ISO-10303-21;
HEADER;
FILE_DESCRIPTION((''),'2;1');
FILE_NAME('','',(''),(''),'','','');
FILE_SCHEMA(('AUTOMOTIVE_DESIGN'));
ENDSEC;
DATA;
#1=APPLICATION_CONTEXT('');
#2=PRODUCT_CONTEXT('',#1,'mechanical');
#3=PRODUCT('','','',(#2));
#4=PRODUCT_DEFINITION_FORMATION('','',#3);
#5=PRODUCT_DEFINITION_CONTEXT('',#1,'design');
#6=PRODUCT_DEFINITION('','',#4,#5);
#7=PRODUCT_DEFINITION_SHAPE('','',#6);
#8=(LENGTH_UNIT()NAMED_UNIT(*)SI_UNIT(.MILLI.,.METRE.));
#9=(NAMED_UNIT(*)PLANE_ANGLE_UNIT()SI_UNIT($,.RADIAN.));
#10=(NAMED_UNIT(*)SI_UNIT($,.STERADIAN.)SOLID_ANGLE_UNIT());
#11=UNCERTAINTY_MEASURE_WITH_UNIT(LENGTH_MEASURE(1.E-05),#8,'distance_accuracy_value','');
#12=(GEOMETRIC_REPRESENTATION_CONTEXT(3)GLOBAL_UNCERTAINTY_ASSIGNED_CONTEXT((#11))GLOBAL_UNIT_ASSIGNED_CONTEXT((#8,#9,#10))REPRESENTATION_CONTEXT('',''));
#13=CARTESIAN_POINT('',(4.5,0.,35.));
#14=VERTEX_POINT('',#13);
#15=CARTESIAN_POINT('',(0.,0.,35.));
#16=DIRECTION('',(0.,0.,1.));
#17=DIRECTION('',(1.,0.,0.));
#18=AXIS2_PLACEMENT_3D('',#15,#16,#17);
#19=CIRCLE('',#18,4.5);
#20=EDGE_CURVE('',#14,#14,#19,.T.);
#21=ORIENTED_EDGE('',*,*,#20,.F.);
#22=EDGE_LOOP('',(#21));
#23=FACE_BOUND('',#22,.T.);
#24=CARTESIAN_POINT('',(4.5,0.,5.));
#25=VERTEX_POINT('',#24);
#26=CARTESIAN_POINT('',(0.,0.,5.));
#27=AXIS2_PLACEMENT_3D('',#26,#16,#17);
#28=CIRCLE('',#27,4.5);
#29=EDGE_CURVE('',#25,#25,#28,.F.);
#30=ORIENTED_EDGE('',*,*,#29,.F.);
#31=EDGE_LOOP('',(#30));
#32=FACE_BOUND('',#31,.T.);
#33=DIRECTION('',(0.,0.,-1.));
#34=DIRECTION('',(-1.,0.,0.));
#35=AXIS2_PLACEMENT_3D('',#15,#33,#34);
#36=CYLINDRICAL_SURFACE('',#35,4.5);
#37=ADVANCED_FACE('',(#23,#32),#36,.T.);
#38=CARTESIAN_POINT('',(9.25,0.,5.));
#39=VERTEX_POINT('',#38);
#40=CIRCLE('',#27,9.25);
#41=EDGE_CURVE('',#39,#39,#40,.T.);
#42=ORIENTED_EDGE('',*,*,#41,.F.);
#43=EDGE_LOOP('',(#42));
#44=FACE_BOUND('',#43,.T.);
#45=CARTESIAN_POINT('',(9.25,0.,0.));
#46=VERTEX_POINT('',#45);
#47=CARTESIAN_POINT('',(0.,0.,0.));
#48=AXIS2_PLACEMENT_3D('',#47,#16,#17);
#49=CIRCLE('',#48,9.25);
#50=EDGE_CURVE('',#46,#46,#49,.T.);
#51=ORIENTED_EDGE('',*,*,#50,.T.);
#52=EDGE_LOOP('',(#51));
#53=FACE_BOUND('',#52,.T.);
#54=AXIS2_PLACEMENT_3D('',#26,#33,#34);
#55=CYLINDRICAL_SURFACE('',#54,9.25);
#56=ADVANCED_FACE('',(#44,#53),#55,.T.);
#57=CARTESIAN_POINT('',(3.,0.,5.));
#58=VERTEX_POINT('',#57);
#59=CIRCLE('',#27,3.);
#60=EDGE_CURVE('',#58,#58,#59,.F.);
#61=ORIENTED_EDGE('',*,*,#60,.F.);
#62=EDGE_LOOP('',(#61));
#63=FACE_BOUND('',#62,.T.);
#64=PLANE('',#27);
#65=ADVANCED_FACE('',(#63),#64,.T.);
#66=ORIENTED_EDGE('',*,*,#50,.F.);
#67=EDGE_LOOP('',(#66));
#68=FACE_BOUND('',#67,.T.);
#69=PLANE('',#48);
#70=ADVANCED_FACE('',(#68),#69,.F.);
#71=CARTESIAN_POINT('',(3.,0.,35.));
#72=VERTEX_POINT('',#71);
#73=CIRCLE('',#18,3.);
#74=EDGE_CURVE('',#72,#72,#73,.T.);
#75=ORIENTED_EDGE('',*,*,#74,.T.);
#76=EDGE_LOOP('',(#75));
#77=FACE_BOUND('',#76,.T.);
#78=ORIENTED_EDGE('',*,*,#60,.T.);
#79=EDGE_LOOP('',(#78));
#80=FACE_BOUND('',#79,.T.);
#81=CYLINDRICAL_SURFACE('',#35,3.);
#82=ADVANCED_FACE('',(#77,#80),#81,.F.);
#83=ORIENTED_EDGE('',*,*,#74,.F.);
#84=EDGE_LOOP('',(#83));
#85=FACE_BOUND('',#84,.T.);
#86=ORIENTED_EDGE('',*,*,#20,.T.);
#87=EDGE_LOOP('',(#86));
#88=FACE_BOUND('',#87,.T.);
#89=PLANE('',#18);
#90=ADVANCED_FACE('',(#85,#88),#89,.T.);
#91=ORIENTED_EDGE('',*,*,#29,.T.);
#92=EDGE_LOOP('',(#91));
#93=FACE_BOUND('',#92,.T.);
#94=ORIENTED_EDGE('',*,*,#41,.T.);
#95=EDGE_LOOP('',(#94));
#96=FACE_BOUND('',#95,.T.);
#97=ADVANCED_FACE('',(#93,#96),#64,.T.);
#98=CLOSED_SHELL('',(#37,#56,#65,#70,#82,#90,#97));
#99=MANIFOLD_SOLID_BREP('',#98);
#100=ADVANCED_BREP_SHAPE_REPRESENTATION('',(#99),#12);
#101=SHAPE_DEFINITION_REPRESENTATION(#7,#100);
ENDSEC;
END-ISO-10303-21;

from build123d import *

# Parameters (mm, degrees)
CROQUIS1_R              = 9.25
SALIENTE_EXTRUIR1_DEPTH = 5
CROQUIS1_6_R            = 4.5
CROQUIS1_6_R_2          = 3
EXTRUIR_L_MINA1_DEPTH   = 35


with BuildPart() as part:
    # Croquis1 → Saliente-Extruir1 (new body)
    with BuildSketch(Plane.XY):
        Circle(CROQUIS1_R)
    extrude(amount=SALIENTE_EXTRUIR1_DEPTH)

    # Croquis1<6> → Extruir-Lámina1 (add)
    with BuildSketch(Plane.XY):
        Circle(CROQUIS1_6_R)
        Circle(CROQUIS1_6_R_2, mode=Mode.SUBTRACT)
    extrude(amount=EXTRUIR_L_MINA1_DEPTH)


solid = part.part
